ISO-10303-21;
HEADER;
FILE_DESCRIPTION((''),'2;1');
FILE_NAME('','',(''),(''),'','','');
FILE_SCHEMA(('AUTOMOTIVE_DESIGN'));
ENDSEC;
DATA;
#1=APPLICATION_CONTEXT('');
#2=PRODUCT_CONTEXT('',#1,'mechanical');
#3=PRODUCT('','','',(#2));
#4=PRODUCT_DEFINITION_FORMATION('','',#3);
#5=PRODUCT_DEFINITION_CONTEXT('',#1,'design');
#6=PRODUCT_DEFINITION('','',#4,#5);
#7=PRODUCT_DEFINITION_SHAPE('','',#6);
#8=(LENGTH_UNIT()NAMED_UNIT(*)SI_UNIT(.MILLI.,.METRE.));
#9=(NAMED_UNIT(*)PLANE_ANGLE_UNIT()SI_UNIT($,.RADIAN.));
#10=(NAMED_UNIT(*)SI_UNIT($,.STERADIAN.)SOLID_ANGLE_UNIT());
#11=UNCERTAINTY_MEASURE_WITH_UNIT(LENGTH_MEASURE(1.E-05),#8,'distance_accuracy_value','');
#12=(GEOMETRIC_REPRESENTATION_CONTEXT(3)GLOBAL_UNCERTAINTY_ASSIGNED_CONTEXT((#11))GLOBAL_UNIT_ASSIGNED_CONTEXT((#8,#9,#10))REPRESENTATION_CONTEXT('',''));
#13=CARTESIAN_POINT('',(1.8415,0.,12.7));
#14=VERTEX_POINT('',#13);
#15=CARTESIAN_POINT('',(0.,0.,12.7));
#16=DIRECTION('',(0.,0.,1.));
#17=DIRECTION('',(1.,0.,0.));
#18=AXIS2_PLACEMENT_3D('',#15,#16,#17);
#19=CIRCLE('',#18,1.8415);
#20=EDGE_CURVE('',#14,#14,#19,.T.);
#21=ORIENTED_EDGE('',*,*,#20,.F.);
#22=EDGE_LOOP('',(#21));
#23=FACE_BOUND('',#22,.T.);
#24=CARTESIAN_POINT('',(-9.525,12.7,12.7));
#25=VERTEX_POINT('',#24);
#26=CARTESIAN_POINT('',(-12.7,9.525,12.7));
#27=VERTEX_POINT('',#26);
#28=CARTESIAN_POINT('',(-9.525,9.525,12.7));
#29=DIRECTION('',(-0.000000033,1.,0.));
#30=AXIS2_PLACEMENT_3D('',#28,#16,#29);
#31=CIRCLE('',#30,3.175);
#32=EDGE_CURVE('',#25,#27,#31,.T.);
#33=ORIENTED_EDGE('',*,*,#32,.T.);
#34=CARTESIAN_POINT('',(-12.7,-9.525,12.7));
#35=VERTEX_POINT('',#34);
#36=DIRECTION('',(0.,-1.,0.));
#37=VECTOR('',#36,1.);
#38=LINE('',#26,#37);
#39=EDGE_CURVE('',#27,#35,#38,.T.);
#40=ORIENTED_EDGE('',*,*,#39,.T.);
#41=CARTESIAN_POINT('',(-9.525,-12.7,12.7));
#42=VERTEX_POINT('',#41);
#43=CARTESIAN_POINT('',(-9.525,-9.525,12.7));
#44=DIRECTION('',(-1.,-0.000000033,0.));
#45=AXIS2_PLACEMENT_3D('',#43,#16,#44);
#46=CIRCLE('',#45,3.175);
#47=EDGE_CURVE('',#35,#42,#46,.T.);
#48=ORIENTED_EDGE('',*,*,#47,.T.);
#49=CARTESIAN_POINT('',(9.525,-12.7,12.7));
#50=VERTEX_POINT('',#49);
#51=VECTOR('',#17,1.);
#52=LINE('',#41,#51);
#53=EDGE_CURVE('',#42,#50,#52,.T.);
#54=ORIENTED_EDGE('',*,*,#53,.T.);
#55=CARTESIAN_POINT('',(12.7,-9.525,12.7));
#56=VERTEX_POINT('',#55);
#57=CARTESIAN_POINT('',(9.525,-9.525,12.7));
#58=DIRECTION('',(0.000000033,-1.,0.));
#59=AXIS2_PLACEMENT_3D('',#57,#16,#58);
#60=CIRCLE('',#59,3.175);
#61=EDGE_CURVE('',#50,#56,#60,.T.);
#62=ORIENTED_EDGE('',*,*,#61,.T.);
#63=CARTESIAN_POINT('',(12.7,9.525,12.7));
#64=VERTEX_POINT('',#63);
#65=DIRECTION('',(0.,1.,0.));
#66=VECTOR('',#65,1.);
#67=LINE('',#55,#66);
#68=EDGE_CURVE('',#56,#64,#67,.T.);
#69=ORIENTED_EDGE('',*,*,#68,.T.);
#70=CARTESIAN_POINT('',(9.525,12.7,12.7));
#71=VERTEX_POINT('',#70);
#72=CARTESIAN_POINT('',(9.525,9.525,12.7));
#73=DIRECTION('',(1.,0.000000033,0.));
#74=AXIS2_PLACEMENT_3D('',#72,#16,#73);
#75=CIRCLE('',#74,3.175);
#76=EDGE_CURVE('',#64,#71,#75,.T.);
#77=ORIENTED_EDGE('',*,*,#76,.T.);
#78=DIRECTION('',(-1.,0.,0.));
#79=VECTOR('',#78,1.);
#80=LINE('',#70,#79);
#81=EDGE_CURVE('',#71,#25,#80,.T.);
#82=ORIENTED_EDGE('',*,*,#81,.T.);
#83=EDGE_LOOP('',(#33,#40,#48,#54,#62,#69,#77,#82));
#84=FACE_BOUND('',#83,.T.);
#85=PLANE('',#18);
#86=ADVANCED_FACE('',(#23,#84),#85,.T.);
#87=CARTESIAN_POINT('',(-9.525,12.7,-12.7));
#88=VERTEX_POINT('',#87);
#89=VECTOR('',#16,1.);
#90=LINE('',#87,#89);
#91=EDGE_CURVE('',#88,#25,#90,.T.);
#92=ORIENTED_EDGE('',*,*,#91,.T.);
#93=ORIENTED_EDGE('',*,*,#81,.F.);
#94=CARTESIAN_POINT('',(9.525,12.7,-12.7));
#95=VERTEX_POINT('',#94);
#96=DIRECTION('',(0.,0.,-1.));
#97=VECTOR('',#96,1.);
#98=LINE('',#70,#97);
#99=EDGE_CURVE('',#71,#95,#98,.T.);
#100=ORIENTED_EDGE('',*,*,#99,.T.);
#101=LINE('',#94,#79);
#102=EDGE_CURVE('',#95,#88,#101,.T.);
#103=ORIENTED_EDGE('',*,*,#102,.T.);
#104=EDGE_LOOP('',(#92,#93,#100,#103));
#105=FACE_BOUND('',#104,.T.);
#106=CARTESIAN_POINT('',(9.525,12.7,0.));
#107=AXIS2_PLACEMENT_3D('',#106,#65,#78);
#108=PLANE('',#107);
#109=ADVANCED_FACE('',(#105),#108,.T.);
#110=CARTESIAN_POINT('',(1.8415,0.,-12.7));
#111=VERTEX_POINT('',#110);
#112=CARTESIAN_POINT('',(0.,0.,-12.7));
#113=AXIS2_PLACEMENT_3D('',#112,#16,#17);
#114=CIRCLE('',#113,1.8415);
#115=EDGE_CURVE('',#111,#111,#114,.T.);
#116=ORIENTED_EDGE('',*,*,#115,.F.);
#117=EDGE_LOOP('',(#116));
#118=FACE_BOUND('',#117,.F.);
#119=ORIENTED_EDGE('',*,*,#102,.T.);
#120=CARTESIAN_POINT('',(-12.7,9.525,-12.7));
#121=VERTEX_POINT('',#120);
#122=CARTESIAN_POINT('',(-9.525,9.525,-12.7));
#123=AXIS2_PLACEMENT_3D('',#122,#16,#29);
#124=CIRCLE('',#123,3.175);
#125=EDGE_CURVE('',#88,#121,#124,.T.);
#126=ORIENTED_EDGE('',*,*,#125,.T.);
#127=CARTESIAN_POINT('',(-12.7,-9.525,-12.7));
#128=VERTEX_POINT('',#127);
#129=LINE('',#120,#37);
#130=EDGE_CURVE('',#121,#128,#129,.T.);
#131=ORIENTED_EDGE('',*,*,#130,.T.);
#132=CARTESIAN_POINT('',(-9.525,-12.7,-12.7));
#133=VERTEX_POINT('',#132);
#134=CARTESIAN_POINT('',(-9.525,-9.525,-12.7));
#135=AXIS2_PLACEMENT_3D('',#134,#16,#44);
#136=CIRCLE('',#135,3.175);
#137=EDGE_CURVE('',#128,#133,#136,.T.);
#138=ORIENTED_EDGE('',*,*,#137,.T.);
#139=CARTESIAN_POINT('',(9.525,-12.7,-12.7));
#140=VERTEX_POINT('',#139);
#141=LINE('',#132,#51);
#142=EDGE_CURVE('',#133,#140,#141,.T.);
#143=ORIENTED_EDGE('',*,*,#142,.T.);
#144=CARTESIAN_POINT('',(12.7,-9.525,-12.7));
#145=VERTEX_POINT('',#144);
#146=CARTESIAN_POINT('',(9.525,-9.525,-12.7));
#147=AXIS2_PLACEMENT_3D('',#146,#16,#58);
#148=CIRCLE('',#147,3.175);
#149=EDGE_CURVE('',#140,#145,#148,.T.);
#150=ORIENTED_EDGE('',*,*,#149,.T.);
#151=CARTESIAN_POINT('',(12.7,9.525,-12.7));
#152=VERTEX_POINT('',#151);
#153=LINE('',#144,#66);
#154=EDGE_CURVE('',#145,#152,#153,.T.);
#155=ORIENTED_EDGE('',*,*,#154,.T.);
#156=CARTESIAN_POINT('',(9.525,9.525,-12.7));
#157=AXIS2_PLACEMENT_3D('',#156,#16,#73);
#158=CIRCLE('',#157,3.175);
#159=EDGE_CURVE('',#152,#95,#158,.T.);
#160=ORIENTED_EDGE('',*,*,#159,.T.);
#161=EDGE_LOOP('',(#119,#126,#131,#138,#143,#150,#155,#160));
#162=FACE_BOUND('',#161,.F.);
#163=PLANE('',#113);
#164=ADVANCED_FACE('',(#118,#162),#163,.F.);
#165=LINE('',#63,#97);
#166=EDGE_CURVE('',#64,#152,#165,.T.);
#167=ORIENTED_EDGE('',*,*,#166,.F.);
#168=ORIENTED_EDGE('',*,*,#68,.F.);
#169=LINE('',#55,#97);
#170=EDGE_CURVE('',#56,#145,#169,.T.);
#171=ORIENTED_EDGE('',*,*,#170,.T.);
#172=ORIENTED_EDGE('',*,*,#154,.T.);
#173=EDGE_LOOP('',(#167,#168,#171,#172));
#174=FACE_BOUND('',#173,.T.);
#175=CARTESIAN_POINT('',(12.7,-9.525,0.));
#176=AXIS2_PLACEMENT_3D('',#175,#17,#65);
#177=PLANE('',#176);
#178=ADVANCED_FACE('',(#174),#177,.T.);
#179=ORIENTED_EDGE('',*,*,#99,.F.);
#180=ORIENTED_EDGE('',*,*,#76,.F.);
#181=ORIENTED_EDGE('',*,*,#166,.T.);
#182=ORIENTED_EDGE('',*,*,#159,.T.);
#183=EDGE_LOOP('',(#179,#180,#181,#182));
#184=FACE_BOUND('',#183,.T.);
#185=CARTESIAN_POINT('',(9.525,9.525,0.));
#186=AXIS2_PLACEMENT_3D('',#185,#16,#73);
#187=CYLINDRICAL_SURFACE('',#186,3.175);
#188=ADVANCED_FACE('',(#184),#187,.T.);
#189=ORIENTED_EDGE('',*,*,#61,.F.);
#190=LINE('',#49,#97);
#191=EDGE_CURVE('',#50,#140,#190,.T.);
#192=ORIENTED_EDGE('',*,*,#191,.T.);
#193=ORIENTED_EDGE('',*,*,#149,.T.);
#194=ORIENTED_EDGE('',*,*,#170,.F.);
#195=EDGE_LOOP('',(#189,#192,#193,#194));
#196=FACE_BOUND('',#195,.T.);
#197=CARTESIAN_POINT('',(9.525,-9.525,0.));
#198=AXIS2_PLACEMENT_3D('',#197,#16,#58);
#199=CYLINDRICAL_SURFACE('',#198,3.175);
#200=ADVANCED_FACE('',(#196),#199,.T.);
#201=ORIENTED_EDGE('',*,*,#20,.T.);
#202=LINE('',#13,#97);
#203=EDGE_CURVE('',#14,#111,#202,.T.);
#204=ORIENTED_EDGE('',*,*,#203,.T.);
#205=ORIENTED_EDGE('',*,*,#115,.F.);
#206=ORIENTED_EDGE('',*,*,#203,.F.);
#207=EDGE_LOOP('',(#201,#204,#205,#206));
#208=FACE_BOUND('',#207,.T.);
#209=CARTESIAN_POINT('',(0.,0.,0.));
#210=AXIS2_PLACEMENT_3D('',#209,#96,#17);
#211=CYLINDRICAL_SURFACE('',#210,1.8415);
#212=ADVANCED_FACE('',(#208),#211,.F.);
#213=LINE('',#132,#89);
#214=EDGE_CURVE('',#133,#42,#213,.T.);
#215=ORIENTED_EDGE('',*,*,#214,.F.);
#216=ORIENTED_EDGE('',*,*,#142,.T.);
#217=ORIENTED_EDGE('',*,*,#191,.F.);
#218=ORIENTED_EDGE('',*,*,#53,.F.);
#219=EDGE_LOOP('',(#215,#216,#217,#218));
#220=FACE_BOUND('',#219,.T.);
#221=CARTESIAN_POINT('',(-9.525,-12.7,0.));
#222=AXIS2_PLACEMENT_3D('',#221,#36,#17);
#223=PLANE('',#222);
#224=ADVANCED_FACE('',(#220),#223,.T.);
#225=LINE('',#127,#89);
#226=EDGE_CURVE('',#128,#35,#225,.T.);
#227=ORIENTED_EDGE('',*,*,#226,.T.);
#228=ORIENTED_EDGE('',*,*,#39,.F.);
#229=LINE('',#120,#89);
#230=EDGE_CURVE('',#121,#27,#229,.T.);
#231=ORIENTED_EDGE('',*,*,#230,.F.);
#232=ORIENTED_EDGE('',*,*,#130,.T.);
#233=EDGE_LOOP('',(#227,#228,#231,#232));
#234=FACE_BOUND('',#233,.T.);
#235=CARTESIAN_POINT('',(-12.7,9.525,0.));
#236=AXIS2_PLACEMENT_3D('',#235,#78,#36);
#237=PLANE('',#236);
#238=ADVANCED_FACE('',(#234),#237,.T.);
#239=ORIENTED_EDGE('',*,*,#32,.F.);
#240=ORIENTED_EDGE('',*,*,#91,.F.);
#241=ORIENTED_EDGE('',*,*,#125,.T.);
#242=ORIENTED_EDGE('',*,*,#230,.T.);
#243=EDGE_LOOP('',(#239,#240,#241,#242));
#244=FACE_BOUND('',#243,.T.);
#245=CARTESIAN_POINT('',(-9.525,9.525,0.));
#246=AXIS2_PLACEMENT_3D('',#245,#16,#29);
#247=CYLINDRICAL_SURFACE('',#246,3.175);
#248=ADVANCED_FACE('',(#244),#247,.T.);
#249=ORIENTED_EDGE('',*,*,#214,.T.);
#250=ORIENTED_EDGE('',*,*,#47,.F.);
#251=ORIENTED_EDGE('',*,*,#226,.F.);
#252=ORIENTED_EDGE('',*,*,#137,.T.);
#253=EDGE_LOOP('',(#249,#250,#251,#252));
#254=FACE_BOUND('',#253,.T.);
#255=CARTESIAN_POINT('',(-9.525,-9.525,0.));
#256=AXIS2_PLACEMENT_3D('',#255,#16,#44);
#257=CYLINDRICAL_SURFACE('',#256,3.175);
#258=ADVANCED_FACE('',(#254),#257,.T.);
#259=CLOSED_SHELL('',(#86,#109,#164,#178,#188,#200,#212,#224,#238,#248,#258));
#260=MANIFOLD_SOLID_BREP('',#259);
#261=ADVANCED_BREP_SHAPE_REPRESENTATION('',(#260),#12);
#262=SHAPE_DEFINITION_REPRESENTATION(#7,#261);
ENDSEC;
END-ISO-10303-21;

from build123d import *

# Parameters (mm, degrees)
F0_R     = 1.8415
F1_DEPTH = 12.7


with BuildPart() as f1:
    # F0 (on Top) → F1 (new body, symmetric)
    with BuildSketch(Plane.XY):
        with BuildLine():
            Line((9.525, 12.7), (-9.525, 12.7))
            ThreePointArc((-9.525, 12.7), (-11.770064, 11.770064), (-12.7, 9.525))
            Line((-12.7, 9.525), (-12.7, -9.525))
            ThreePointArc((-12.7, -9.525), (-11.770064, -11.770064), (-9.525, -12.7))
            Line((-9.525, -12.7), (9.525, -12.7))
            ThreePointArc((9.525, -12.7), (11.770064, -11.770064), (12.7, -9.525))
            Line((12.7, -9.525), (12.7, 9.525))
            ThreePointArc((12.7, 9.525), (11.770064, 11.770064), (9.525, 12.7))
        make_face()
        Circle(F0_R, mode=Mode.SUBTRACT)
    extrude(amount=F1_DEPTH, both=True)


solid = f1.part
